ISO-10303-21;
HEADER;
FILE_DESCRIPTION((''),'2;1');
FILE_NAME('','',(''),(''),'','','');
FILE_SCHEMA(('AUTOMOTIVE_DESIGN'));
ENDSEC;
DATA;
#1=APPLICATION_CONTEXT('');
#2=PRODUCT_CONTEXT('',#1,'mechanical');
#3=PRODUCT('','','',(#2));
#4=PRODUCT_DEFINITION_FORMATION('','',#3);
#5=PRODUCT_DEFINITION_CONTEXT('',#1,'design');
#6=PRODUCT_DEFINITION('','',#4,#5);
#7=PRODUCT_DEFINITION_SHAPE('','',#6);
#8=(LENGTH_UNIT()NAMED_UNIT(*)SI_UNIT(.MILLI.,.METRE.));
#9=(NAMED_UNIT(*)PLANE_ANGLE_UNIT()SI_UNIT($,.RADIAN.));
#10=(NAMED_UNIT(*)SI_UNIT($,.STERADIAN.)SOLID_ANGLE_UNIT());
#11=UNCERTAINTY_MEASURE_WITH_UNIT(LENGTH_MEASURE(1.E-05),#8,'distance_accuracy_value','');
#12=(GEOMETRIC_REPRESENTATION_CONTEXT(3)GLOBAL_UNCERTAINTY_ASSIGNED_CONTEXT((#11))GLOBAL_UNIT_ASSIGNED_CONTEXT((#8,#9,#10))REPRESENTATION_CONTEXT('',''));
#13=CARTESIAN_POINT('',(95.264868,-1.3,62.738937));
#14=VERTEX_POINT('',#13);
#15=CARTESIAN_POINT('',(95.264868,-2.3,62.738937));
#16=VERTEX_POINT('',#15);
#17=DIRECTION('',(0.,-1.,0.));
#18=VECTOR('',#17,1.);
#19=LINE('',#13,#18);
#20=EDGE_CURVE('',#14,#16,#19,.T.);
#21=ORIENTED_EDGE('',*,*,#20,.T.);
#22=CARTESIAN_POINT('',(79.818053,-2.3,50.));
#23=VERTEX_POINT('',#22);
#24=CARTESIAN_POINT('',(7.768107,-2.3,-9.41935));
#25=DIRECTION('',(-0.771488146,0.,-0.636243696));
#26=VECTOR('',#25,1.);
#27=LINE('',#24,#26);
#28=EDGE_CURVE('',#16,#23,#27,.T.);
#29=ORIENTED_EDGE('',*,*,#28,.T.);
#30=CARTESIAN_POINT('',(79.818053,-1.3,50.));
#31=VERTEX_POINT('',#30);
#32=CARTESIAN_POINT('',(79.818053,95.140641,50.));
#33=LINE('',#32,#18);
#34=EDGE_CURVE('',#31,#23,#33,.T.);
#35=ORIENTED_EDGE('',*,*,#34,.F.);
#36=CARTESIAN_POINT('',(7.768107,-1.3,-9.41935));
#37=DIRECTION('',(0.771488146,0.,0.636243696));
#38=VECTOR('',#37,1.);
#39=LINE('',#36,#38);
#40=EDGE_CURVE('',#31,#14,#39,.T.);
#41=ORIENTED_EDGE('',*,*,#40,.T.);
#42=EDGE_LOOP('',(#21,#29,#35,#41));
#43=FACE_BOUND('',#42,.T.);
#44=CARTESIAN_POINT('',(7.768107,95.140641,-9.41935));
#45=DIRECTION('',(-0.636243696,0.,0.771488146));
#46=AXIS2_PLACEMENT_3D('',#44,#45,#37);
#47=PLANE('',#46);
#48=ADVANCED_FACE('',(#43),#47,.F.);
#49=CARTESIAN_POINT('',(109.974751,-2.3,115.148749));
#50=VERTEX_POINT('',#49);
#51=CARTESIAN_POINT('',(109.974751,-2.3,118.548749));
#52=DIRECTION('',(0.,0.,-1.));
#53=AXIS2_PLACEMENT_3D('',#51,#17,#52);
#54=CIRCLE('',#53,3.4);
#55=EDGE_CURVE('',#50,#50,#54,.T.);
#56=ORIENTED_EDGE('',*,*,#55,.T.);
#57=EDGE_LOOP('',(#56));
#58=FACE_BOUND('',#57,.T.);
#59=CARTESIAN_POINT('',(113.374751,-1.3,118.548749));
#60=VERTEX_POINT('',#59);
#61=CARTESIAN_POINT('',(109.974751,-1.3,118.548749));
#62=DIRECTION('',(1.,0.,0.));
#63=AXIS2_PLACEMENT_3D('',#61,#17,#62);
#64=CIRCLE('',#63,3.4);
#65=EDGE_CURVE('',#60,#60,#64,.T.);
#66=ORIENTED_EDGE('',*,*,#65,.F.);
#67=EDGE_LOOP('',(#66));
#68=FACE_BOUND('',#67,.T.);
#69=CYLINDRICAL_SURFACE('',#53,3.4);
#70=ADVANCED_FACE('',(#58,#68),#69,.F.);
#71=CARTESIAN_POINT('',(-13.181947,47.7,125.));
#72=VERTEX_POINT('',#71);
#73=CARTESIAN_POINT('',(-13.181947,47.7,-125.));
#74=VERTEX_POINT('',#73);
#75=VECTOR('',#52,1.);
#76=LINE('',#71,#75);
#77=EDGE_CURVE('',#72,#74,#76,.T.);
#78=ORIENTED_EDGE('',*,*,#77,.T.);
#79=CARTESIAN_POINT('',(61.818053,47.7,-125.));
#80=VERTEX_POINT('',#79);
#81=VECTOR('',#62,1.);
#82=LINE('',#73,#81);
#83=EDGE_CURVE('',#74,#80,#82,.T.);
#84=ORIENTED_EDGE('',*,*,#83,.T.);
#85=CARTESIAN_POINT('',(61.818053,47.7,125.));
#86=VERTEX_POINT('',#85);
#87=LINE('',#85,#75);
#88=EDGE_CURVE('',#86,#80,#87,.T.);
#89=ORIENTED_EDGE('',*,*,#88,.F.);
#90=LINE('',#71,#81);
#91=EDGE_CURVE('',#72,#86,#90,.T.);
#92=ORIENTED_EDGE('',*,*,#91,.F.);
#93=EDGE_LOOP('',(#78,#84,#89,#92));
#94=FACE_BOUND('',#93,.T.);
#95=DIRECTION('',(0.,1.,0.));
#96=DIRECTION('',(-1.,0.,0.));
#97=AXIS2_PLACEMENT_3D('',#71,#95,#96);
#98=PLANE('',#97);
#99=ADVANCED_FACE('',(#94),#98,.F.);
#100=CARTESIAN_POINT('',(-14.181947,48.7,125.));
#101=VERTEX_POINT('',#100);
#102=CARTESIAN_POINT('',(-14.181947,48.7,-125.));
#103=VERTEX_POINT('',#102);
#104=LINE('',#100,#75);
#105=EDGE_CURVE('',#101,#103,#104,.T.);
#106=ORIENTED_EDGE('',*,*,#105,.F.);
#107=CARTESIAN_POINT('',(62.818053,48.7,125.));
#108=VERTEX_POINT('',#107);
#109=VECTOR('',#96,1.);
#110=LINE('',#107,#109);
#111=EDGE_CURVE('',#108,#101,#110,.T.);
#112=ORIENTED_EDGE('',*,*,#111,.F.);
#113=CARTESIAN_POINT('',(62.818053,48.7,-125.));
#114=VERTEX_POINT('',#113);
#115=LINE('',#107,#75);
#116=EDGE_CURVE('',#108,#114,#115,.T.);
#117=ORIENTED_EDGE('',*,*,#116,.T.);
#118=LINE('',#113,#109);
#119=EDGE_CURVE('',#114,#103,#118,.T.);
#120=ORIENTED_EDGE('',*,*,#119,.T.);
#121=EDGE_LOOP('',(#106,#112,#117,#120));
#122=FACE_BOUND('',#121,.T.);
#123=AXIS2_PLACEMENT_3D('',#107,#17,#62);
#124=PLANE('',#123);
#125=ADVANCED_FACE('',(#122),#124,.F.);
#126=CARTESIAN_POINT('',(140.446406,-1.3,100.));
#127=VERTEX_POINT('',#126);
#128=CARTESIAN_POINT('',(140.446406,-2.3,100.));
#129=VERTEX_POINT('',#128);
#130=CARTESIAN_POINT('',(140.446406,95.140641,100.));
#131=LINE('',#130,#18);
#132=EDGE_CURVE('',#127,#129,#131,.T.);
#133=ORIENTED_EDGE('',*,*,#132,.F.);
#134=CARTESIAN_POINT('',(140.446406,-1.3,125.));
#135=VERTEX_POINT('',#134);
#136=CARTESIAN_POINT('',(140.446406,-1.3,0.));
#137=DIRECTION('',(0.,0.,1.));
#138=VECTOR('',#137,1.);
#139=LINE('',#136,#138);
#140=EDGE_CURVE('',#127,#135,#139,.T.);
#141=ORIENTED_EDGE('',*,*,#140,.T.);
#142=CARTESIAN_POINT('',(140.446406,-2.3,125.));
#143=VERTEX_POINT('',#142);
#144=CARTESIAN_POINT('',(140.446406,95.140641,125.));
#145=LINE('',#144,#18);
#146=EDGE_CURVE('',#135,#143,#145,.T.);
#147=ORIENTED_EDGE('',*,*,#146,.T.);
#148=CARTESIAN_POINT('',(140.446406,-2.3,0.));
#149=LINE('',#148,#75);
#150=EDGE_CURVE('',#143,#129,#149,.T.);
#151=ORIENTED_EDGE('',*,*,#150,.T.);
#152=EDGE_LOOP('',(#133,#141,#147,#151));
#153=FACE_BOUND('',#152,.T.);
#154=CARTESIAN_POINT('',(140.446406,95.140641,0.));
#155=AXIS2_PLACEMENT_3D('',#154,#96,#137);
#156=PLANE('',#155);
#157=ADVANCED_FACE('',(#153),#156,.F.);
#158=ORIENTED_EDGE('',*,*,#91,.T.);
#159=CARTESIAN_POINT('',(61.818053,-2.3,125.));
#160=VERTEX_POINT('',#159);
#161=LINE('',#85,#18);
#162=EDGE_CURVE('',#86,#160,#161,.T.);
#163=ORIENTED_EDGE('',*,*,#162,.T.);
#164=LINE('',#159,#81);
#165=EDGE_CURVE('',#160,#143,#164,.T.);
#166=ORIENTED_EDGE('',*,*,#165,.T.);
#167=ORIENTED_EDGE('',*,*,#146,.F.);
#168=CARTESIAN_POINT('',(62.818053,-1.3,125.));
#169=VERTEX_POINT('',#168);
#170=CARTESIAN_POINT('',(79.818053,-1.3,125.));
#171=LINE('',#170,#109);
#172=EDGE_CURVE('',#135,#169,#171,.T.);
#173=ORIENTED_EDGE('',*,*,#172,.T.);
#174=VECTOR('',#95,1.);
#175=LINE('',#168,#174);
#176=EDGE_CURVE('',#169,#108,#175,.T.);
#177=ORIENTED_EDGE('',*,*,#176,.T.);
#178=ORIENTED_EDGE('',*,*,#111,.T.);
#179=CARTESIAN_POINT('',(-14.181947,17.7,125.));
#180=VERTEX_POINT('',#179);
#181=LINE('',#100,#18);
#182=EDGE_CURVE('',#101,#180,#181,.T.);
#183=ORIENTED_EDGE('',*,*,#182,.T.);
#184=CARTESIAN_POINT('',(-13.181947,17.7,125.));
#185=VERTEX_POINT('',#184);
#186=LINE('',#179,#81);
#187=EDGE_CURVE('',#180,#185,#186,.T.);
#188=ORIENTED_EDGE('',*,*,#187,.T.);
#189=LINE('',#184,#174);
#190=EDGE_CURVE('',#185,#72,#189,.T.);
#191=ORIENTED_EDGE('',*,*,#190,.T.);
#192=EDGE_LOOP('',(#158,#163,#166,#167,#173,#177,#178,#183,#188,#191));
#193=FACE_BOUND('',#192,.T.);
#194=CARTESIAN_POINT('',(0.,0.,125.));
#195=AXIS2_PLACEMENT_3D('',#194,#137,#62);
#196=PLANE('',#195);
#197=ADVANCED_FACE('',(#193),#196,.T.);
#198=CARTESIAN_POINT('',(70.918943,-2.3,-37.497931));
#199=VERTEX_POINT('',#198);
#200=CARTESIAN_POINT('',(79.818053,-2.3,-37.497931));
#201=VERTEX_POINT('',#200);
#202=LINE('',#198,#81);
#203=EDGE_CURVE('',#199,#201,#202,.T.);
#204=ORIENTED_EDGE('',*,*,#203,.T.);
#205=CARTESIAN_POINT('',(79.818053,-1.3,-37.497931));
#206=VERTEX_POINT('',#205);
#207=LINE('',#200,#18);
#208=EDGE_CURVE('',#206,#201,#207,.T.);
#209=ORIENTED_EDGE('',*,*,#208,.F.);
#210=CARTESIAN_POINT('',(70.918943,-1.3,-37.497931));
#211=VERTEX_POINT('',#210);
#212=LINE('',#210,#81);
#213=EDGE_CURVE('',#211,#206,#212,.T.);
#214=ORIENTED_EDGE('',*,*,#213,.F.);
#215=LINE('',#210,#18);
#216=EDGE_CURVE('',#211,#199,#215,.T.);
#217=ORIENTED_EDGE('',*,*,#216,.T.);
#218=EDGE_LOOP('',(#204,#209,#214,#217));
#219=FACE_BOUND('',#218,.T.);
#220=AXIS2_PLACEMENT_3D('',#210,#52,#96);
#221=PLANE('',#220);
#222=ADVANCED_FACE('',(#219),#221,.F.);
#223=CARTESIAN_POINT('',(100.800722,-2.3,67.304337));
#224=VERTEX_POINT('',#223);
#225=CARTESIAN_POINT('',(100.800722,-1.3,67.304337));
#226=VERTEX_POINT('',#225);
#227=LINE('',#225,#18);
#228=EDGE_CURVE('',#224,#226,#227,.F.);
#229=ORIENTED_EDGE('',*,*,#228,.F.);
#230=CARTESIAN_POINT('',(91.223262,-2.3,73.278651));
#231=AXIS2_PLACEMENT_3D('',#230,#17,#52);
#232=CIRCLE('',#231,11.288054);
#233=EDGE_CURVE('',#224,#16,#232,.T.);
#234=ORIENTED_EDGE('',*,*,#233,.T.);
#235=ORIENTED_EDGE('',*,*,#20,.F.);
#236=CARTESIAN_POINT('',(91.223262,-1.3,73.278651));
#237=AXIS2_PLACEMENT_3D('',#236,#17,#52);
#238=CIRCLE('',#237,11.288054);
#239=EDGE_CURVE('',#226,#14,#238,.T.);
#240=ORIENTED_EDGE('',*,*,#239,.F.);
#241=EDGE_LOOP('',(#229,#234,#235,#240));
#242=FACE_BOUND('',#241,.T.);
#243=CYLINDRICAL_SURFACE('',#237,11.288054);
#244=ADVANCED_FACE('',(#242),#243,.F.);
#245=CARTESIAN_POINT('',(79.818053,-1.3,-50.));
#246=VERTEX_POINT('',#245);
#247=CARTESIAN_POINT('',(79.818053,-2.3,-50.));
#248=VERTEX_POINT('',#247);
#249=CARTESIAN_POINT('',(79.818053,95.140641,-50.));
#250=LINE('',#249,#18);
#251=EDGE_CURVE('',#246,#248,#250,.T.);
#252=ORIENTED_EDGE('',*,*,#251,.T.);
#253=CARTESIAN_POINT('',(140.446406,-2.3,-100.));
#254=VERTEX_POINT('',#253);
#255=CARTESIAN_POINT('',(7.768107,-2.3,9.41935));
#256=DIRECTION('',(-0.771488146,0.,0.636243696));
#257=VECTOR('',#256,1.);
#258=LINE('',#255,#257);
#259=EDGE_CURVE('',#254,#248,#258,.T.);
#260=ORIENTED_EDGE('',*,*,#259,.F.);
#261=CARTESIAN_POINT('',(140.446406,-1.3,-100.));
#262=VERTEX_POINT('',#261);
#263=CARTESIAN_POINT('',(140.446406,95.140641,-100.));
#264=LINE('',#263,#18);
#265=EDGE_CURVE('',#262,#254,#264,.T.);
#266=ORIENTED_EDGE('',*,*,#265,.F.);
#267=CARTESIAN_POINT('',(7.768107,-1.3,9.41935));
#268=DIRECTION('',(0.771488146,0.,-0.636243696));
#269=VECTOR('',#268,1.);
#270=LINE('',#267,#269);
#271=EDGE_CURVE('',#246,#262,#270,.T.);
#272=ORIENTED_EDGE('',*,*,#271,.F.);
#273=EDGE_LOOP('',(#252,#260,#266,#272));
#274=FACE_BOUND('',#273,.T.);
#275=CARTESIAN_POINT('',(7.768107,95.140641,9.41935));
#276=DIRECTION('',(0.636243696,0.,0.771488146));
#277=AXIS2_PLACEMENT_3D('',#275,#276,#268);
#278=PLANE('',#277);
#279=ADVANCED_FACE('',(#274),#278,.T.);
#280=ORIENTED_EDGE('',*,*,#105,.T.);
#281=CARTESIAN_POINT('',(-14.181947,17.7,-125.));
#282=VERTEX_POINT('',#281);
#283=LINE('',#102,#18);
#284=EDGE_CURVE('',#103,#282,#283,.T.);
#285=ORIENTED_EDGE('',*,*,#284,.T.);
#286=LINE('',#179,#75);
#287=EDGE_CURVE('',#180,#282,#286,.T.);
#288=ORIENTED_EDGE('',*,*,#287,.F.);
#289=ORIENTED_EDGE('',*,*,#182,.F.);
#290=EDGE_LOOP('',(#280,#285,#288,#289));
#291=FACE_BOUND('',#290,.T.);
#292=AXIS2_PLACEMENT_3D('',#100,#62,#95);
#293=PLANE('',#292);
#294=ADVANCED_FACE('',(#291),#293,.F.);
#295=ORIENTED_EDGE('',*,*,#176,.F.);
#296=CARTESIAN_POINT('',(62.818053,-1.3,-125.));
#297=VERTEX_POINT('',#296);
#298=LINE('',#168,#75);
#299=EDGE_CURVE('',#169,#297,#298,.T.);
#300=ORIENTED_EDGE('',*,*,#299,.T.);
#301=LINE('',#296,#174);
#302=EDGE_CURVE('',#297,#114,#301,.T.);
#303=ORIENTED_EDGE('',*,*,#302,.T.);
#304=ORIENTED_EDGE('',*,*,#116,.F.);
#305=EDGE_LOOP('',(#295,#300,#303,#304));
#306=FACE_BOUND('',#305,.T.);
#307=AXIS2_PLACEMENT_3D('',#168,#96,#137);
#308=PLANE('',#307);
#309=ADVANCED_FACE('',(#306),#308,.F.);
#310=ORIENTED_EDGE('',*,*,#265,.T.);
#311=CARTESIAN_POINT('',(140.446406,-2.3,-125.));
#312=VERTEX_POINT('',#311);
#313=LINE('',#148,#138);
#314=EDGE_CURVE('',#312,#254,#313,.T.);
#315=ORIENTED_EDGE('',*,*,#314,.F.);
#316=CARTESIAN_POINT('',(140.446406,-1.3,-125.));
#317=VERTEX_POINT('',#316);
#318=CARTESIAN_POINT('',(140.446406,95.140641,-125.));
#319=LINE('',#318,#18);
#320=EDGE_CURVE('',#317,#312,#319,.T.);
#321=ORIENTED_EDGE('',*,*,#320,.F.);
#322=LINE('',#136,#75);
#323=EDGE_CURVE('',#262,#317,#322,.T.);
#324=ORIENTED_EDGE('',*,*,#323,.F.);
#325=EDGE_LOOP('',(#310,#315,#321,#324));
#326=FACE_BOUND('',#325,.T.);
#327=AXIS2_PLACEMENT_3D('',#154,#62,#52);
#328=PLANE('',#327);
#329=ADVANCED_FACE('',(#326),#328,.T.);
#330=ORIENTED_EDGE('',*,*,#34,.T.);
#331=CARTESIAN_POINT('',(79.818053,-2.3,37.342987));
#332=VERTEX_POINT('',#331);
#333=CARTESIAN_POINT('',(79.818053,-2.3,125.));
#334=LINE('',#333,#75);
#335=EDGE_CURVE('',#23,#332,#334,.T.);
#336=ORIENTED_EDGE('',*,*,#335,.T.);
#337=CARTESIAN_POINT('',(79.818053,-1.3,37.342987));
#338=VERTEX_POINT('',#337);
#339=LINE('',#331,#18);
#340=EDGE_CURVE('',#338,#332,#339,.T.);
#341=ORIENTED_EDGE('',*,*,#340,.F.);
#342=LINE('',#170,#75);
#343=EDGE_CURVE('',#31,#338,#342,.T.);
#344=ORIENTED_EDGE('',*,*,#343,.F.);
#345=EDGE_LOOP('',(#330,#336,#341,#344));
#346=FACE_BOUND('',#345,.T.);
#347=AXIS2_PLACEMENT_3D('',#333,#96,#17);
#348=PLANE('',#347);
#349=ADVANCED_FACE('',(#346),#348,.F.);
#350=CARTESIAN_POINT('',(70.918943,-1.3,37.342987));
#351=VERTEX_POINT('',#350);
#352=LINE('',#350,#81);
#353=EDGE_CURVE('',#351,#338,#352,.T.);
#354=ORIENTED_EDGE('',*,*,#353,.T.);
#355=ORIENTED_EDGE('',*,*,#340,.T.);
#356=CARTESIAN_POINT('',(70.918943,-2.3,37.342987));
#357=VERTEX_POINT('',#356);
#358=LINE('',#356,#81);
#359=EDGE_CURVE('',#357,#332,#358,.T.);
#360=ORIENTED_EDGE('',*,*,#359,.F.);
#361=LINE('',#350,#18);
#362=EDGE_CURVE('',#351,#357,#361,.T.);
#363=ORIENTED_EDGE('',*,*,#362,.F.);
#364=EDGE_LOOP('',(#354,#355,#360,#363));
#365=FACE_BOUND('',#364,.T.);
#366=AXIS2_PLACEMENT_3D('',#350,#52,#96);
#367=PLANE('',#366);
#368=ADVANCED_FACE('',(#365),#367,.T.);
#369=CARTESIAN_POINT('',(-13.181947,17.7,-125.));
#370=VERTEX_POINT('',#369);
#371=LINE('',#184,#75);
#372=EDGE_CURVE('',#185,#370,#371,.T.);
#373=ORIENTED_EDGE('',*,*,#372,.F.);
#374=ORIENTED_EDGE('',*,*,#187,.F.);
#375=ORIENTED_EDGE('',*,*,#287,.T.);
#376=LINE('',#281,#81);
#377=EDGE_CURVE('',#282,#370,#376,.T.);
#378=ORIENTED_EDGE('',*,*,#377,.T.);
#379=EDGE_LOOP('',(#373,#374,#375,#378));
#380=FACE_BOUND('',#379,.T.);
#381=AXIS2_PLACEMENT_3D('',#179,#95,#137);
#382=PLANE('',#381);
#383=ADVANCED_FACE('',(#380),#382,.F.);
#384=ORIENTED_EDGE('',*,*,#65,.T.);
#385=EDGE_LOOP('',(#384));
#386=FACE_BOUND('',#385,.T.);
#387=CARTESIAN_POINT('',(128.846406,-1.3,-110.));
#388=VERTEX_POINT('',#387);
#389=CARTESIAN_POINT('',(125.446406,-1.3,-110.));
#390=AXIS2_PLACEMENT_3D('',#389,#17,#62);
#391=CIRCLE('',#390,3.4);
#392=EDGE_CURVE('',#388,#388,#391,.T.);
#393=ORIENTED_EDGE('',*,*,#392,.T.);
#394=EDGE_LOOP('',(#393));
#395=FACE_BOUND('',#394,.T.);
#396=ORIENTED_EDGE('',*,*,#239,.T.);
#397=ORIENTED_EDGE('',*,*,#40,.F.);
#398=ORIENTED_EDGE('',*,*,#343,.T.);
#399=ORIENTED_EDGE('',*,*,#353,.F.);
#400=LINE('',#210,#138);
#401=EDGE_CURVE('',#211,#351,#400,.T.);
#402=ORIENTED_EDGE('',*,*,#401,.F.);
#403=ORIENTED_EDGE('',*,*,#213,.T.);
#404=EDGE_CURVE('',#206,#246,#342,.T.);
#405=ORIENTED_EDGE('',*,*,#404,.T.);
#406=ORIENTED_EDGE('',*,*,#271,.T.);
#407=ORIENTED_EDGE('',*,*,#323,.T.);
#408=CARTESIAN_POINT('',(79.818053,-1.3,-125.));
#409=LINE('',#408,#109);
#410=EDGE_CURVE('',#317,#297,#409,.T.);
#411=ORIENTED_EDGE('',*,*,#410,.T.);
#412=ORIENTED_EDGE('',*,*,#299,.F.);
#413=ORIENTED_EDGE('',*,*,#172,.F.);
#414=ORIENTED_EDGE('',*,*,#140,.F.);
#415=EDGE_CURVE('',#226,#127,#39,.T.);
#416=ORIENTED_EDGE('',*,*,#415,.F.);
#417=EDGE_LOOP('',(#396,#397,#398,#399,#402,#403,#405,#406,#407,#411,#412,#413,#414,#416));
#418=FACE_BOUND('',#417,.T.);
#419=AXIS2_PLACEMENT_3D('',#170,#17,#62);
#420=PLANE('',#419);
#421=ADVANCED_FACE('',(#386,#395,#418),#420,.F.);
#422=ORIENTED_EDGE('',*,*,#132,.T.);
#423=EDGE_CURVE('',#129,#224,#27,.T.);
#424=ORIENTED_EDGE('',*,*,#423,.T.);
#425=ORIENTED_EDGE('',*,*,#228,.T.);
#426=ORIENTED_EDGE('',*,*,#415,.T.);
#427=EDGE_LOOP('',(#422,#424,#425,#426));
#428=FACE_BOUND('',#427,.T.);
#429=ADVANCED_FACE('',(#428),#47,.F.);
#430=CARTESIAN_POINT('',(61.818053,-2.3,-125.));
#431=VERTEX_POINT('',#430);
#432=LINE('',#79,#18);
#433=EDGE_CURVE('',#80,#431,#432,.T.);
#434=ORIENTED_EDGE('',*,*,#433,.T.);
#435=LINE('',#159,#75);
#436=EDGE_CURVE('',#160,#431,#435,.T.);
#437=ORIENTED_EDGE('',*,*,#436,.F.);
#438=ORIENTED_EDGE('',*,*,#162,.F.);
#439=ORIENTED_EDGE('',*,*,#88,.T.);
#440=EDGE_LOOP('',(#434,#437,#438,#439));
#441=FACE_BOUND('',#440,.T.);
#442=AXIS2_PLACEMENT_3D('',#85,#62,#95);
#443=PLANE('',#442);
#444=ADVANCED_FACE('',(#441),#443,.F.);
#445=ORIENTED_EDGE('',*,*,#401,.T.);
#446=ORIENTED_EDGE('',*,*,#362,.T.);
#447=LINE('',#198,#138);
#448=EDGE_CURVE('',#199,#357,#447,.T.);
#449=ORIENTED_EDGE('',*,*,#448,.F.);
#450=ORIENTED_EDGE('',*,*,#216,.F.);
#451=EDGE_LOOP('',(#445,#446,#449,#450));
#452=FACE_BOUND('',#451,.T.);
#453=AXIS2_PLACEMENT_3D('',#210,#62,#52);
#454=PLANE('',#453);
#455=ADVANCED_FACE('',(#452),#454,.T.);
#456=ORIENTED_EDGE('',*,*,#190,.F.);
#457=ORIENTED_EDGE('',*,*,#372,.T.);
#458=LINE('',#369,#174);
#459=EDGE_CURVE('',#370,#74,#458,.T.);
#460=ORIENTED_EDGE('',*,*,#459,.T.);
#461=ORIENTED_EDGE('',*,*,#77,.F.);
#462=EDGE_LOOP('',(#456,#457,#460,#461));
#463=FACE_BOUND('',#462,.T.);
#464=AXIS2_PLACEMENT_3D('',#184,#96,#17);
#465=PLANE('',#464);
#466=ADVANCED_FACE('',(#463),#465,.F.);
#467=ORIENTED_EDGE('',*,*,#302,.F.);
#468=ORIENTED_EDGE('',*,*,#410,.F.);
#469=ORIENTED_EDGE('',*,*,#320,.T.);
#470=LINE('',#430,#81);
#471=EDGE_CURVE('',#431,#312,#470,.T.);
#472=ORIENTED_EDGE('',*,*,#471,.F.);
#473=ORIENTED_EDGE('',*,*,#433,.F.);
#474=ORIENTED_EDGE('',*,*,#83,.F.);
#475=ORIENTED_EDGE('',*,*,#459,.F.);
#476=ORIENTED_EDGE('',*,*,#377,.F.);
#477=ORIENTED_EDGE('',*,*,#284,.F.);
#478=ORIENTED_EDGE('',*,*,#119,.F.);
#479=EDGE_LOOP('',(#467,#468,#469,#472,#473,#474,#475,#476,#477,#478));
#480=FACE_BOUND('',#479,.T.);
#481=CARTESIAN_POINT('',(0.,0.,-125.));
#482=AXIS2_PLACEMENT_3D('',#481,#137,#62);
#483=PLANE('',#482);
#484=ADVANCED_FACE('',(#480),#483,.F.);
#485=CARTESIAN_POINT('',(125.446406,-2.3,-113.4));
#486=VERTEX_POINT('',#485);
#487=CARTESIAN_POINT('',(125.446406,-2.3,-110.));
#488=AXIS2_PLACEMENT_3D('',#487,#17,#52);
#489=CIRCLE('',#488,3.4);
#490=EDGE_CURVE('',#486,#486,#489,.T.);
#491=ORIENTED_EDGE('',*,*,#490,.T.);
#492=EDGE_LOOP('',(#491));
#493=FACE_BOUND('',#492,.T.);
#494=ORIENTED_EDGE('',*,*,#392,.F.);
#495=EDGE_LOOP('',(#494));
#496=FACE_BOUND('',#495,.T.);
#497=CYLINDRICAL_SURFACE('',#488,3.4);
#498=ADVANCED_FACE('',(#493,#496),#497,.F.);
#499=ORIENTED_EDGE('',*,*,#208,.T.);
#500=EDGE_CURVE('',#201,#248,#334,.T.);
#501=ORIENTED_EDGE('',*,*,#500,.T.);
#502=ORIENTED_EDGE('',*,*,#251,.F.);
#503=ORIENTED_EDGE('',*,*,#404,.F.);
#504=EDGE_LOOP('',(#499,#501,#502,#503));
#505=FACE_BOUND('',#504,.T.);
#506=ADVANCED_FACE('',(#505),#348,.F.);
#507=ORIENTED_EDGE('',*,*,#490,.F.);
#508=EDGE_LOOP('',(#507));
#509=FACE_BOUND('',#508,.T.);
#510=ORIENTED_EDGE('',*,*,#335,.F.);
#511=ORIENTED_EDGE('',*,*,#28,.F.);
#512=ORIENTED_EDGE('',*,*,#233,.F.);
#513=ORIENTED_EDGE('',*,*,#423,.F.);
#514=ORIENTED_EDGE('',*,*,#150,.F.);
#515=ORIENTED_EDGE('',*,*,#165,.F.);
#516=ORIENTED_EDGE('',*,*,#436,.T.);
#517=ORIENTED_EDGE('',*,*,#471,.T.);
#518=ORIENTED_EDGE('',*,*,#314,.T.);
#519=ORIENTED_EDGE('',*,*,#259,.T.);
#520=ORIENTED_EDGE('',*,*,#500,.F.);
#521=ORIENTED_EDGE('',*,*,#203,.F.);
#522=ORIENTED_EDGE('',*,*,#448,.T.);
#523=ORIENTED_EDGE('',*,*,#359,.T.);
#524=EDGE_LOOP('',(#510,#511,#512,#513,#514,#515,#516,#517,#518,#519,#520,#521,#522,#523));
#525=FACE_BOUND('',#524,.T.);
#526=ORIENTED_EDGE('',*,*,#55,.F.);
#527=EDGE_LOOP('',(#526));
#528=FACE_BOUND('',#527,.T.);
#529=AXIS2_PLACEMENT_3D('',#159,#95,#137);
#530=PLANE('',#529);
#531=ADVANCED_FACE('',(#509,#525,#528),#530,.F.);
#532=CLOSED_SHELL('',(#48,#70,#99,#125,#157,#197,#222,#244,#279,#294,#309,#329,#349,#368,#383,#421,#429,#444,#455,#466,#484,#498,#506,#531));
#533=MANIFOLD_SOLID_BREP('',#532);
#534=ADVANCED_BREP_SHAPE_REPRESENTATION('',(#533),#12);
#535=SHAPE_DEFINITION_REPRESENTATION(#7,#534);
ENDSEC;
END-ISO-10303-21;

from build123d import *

# Parameters (mm, degrees)
BOSS_EXTRUDE1_DEPTH     = 125
BOSS_EXTRUDE3_DEPTH     = 1
TAP_DRILL_FOR_M8_TAP1_D = 6.8
SKETCH7_R               = 11.28805381
CUT_EXTRUDE1_DEPTH      = 1
SKETCH8_W               = 17.605373939
SKETCH8_H               = 74.840918302
CUT_EXTRUDE2_DEPTH      = 1


with BuildPart() as part:
    # Sketch1 → Boss-Extrude1 (new body, symmetric)
    with BuildSketch(Plane.XY):
        Polygon((-13.181947142, 17.7), (-13.181947142, 47.7), (61.818052858, 47.7), (61.818052858, -2.3), (79.818052858, -2.3), (79.818052858, -1.3), (62.818052858, -1.3), (62.818052858, 48.7), (-14.181947142, 48.7), (-14.181947142, 17.7), align=None)
    extrude(amount=BOSS_EXTRUDE1_DEPTH, both=True)

    # Sketch2 → Boss-Extrude3 (add)
    with BuildSketch(Plane.XZ.offset(2.3)):
        Polygon((79.818052858, 125), (79.818052858, 50), (140.446405645, 100), (140.446405645, 125), align=None)
        Polygon((79.818052858, -50), (79.818052858, -125), (140.446405645, -125), (140.446405645, -100), align=None)
    extrude(amount=-BOSS_EXTRUDE3_DEPTH)

    # Tap Drill for M8 Tap1 (through all)
    with Locations(Plane(origin=(0, -2.3, 0), x_dir=(-1, 0, 0), z_dir=(0, -1, 0))):
        with Locations((-125.446405645, 110), (-109.974750597, -118.548748507)):
            Hole(TAP_DRILL_FOR_M8_TAP1_D / 2)

    # Sketch7 → Cut-Extrude1 (cut)
    with BuildSketch(Plane.XZ.offset(2.3)):
        with Locations((91.223262411, 73.278651414)):
            Circle(SKETCH7_R)
    extrude(amount=-CUT_EXTRUDE1_DEPTH, mode=Mode.SUBTRACT)

    # Sketch8 → Cut-Extrude2 (cut)
    with BuildSketch(Plane.XZ.offset(2.3)):
        with Locations((79.721629834, -0.077471799)):
            Rectangle(SKETCH8_W, SKETCH8_H)
    extrude(amount=-CUT_EXTRUDE2_DEPTH, mode=Mode.SUBTRACT)


solid = part.part
